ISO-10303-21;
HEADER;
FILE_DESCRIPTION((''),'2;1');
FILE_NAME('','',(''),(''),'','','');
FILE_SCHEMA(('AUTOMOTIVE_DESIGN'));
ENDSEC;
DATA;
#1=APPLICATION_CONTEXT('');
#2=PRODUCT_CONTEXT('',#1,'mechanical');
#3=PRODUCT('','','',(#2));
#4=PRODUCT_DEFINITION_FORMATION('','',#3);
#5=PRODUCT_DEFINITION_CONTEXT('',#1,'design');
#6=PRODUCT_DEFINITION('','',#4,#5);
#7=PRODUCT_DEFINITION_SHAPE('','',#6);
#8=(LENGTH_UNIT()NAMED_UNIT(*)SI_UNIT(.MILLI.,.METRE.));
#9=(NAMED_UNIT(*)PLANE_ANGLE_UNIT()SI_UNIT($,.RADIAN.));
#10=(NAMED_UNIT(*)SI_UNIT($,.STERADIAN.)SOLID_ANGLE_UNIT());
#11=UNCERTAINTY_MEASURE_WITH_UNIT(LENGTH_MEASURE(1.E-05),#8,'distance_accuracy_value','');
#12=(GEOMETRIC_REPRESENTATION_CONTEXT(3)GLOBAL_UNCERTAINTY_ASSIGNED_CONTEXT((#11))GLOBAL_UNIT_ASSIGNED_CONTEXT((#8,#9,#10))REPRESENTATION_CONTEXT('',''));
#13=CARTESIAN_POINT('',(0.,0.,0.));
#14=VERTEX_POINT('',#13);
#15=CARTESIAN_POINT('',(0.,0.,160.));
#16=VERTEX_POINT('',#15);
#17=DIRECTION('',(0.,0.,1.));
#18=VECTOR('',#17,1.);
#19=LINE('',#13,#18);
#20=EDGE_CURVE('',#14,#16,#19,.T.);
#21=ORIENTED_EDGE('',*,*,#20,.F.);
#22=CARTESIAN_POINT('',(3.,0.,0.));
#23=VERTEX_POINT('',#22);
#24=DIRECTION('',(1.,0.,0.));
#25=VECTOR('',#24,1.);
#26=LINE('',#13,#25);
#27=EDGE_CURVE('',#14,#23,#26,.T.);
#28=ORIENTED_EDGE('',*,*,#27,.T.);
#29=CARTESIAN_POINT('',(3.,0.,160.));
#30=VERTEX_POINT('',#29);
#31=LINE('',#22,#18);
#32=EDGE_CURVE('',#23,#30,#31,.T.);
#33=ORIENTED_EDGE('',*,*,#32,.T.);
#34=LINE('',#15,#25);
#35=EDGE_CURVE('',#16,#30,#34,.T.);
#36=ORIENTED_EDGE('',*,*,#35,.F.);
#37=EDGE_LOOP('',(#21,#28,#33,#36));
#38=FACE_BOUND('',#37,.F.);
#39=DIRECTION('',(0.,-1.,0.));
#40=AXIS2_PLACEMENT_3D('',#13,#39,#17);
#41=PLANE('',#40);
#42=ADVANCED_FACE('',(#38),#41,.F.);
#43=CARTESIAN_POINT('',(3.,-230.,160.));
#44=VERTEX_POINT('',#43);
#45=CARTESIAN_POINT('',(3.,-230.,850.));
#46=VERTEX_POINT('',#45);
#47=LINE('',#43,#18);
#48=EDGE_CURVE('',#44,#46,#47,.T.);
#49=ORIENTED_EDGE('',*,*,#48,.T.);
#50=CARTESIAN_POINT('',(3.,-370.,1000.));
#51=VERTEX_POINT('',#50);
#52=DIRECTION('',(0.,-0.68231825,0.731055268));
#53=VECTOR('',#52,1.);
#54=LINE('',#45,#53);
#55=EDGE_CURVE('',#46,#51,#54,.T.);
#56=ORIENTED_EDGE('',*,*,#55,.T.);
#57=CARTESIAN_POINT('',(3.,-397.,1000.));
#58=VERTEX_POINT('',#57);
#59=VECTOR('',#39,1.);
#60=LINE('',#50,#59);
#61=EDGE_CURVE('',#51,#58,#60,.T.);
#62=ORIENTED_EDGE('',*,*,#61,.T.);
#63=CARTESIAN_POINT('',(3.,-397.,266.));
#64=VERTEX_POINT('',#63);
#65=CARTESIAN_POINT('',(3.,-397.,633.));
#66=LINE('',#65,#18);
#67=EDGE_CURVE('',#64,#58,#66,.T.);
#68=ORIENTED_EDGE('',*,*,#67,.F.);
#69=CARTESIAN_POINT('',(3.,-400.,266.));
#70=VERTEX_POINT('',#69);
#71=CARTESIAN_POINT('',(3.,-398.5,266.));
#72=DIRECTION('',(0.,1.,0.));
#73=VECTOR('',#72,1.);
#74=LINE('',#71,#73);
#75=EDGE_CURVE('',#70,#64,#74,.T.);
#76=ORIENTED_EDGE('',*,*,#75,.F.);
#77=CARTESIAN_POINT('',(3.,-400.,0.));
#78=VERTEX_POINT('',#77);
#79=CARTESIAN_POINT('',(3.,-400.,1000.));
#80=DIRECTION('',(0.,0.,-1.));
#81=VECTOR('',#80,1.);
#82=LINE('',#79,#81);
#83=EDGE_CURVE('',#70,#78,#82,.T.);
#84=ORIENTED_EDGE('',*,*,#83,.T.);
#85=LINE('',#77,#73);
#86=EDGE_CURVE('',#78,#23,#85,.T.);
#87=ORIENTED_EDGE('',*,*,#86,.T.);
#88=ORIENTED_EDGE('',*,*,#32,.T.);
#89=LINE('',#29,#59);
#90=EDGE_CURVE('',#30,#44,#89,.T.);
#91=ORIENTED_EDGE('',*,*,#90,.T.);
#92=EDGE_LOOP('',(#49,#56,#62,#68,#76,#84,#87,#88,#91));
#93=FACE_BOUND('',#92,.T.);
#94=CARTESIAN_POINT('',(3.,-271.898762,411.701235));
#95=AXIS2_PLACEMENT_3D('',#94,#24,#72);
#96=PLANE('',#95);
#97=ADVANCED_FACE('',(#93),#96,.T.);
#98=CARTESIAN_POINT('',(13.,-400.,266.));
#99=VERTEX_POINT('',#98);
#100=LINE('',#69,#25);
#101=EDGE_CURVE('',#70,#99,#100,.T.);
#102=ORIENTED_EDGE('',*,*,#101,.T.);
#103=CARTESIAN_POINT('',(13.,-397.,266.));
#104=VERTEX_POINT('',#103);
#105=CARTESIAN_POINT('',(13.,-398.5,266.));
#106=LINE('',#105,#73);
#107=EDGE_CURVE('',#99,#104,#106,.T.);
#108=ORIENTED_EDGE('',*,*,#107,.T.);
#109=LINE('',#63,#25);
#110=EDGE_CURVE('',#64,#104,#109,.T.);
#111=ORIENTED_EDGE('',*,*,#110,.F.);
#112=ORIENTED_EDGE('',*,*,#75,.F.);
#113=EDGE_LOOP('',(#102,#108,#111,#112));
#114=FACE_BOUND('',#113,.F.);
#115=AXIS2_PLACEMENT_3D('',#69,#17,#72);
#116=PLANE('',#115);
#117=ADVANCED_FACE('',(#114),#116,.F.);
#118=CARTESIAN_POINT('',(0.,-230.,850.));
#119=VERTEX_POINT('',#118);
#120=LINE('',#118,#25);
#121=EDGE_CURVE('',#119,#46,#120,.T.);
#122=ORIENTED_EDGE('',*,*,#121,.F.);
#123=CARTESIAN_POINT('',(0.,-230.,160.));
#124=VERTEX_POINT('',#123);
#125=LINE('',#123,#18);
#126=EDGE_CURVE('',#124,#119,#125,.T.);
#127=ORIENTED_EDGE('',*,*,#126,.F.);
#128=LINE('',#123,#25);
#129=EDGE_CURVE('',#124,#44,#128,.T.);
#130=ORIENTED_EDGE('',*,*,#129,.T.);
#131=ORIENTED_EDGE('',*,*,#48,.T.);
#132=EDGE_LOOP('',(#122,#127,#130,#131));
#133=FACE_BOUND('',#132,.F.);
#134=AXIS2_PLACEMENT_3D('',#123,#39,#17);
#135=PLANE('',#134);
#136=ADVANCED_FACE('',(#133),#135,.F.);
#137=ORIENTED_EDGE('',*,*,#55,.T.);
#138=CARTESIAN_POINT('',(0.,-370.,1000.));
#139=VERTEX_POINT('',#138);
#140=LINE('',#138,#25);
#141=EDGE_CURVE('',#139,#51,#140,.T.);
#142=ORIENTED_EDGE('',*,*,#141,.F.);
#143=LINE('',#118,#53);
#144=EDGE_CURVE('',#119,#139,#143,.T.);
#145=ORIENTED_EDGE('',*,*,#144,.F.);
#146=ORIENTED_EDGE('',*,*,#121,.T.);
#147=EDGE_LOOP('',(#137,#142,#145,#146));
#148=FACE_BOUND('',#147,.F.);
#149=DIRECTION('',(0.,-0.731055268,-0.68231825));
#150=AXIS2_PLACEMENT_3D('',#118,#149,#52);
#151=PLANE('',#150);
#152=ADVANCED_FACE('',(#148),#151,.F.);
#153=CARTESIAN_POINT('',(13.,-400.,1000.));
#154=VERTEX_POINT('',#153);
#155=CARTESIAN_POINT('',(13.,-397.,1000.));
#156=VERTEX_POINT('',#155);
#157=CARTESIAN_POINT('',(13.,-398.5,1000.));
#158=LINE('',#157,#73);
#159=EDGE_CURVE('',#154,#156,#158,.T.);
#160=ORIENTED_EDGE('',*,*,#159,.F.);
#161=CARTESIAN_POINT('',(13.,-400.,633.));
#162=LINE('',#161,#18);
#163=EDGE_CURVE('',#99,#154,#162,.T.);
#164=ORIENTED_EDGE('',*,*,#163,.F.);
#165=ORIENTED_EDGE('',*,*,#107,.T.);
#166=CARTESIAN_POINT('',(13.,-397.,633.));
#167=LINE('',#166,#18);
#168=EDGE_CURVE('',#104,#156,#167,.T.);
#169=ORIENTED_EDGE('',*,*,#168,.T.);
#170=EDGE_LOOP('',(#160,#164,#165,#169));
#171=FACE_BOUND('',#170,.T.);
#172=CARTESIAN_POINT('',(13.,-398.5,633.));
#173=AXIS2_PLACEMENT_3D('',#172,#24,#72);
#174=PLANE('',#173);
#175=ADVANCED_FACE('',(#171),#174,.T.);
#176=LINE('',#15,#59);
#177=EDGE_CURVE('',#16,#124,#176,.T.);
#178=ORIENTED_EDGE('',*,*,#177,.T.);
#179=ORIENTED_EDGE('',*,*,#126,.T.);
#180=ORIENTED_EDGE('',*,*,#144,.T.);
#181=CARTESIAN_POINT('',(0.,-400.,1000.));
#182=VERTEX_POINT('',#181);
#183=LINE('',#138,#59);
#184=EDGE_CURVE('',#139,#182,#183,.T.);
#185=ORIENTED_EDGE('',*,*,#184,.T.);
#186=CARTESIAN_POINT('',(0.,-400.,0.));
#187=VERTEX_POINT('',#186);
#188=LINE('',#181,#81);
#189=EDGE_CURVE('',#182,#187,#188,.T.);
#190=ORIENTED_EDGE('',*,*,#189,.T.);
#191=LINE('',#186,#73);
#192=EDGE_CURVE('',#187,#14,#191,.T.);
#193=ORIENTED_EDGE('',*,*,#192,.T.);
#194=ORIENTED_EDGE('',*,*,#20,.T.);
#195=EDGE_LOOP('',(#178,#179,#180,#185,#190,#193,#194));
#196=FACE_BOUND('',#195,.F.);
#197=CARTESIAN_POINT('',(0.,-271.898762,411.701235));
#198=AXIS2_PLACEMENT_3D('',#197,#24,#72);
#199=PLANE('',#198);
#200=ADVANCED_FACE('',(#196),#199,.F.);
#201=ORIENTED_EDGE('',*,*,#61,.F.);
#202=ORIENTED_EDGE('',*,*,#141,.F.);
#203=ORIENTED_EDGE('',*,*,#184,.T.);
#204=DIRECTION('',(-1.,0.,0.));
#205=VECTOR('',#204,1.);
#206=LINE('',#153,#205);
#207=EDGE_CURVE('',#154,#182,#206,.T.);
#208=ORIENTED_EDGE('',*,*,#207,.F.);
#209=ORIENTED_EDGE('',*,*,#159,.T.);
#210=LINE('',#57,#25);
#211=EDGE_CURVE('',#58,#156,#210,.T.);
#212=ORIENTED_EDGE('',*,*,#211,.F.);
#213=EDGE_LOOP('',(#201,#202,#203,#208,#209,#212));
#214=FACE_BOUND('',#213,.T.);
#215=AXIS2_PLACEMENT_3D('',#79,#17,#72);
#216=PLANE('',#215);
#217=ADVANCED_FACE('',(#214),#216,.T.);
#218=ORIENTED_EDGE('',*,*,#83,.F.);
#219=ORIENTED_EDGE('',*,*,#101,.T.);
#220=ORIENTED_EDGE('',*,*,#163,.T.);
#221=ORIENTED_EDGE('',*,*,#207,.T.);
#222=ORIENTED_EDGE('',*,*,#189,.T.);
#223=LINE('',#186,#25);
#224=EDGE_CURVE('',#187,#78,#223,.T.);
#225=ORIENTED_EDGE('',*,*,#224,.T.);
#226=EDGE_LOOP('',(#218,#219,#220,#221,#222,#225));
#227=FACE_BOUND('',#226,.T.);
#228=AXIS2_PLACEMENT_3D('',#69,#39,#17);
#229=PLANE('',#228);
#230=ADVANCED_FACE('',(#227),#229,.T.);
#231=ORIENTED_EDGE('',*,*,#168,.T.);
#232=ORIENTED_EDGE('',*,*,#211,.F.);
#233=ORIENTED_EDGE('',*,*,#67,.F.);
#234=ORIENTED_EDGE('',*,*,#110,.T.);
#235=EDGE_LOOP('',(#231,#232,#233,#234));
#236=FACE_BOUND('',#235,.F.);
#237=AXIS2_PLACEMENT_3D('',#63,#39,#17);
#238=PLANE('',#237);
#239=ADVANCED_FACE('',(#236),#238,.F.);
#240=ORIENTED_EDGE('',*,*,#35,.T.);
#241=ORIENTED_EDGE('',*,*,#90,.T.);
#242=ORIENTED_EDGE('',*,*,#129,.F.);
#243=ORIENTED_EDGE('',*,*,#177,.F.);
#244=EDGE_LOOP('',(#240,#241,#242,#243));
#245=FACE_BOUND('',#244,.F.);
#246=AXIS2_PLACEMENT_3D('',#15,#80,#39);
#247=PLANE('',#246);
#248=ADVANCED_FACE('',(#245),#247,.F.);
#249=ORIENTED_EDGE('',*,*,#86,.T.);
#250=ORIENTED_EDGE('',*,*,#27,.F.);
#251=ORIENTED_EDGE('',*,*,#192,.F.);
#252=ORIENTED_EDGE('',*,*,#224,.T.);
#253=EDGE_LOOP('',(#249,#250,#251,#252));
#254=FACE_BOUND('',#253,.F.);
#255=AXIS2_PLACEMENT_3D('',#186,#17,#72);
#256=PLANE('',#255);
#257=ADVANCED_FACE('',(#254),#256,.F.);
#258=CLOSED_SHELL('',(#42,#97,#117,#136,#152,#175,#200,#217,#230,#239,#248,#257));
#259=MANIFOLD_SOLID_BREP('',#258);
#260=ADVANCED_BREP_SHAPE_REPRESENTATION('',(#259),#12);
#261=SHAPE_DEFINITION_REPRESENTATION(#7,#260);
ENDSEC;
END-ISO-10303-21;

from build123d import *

# Parameters (mm, degrees)
F1_DEPTH = 3
F2_W     = 3
F2_H     = 734
F3_DEPTH = 10


with BuildPart() as f1:
    # F0 (on Right) → F1 (new body)
    with BuildSketch(Plane.YZ):
        Polygon((-400, 0), (0, 0), (0, 160), (-230, 160), (-230, 850), (-370, 1000), (-400, 1000), align=None)
    extrude(amount=F1_DEPTH)

    # F2 (on face) → F3 (join)
    with BuildSketch(Plane.YZ.offset(3)):
        with Locations((-398.5, 633)):
            Rectangle(F2_W, F2_H)
    extrude(amount=F3_DEPTH)


solid = f1.part
